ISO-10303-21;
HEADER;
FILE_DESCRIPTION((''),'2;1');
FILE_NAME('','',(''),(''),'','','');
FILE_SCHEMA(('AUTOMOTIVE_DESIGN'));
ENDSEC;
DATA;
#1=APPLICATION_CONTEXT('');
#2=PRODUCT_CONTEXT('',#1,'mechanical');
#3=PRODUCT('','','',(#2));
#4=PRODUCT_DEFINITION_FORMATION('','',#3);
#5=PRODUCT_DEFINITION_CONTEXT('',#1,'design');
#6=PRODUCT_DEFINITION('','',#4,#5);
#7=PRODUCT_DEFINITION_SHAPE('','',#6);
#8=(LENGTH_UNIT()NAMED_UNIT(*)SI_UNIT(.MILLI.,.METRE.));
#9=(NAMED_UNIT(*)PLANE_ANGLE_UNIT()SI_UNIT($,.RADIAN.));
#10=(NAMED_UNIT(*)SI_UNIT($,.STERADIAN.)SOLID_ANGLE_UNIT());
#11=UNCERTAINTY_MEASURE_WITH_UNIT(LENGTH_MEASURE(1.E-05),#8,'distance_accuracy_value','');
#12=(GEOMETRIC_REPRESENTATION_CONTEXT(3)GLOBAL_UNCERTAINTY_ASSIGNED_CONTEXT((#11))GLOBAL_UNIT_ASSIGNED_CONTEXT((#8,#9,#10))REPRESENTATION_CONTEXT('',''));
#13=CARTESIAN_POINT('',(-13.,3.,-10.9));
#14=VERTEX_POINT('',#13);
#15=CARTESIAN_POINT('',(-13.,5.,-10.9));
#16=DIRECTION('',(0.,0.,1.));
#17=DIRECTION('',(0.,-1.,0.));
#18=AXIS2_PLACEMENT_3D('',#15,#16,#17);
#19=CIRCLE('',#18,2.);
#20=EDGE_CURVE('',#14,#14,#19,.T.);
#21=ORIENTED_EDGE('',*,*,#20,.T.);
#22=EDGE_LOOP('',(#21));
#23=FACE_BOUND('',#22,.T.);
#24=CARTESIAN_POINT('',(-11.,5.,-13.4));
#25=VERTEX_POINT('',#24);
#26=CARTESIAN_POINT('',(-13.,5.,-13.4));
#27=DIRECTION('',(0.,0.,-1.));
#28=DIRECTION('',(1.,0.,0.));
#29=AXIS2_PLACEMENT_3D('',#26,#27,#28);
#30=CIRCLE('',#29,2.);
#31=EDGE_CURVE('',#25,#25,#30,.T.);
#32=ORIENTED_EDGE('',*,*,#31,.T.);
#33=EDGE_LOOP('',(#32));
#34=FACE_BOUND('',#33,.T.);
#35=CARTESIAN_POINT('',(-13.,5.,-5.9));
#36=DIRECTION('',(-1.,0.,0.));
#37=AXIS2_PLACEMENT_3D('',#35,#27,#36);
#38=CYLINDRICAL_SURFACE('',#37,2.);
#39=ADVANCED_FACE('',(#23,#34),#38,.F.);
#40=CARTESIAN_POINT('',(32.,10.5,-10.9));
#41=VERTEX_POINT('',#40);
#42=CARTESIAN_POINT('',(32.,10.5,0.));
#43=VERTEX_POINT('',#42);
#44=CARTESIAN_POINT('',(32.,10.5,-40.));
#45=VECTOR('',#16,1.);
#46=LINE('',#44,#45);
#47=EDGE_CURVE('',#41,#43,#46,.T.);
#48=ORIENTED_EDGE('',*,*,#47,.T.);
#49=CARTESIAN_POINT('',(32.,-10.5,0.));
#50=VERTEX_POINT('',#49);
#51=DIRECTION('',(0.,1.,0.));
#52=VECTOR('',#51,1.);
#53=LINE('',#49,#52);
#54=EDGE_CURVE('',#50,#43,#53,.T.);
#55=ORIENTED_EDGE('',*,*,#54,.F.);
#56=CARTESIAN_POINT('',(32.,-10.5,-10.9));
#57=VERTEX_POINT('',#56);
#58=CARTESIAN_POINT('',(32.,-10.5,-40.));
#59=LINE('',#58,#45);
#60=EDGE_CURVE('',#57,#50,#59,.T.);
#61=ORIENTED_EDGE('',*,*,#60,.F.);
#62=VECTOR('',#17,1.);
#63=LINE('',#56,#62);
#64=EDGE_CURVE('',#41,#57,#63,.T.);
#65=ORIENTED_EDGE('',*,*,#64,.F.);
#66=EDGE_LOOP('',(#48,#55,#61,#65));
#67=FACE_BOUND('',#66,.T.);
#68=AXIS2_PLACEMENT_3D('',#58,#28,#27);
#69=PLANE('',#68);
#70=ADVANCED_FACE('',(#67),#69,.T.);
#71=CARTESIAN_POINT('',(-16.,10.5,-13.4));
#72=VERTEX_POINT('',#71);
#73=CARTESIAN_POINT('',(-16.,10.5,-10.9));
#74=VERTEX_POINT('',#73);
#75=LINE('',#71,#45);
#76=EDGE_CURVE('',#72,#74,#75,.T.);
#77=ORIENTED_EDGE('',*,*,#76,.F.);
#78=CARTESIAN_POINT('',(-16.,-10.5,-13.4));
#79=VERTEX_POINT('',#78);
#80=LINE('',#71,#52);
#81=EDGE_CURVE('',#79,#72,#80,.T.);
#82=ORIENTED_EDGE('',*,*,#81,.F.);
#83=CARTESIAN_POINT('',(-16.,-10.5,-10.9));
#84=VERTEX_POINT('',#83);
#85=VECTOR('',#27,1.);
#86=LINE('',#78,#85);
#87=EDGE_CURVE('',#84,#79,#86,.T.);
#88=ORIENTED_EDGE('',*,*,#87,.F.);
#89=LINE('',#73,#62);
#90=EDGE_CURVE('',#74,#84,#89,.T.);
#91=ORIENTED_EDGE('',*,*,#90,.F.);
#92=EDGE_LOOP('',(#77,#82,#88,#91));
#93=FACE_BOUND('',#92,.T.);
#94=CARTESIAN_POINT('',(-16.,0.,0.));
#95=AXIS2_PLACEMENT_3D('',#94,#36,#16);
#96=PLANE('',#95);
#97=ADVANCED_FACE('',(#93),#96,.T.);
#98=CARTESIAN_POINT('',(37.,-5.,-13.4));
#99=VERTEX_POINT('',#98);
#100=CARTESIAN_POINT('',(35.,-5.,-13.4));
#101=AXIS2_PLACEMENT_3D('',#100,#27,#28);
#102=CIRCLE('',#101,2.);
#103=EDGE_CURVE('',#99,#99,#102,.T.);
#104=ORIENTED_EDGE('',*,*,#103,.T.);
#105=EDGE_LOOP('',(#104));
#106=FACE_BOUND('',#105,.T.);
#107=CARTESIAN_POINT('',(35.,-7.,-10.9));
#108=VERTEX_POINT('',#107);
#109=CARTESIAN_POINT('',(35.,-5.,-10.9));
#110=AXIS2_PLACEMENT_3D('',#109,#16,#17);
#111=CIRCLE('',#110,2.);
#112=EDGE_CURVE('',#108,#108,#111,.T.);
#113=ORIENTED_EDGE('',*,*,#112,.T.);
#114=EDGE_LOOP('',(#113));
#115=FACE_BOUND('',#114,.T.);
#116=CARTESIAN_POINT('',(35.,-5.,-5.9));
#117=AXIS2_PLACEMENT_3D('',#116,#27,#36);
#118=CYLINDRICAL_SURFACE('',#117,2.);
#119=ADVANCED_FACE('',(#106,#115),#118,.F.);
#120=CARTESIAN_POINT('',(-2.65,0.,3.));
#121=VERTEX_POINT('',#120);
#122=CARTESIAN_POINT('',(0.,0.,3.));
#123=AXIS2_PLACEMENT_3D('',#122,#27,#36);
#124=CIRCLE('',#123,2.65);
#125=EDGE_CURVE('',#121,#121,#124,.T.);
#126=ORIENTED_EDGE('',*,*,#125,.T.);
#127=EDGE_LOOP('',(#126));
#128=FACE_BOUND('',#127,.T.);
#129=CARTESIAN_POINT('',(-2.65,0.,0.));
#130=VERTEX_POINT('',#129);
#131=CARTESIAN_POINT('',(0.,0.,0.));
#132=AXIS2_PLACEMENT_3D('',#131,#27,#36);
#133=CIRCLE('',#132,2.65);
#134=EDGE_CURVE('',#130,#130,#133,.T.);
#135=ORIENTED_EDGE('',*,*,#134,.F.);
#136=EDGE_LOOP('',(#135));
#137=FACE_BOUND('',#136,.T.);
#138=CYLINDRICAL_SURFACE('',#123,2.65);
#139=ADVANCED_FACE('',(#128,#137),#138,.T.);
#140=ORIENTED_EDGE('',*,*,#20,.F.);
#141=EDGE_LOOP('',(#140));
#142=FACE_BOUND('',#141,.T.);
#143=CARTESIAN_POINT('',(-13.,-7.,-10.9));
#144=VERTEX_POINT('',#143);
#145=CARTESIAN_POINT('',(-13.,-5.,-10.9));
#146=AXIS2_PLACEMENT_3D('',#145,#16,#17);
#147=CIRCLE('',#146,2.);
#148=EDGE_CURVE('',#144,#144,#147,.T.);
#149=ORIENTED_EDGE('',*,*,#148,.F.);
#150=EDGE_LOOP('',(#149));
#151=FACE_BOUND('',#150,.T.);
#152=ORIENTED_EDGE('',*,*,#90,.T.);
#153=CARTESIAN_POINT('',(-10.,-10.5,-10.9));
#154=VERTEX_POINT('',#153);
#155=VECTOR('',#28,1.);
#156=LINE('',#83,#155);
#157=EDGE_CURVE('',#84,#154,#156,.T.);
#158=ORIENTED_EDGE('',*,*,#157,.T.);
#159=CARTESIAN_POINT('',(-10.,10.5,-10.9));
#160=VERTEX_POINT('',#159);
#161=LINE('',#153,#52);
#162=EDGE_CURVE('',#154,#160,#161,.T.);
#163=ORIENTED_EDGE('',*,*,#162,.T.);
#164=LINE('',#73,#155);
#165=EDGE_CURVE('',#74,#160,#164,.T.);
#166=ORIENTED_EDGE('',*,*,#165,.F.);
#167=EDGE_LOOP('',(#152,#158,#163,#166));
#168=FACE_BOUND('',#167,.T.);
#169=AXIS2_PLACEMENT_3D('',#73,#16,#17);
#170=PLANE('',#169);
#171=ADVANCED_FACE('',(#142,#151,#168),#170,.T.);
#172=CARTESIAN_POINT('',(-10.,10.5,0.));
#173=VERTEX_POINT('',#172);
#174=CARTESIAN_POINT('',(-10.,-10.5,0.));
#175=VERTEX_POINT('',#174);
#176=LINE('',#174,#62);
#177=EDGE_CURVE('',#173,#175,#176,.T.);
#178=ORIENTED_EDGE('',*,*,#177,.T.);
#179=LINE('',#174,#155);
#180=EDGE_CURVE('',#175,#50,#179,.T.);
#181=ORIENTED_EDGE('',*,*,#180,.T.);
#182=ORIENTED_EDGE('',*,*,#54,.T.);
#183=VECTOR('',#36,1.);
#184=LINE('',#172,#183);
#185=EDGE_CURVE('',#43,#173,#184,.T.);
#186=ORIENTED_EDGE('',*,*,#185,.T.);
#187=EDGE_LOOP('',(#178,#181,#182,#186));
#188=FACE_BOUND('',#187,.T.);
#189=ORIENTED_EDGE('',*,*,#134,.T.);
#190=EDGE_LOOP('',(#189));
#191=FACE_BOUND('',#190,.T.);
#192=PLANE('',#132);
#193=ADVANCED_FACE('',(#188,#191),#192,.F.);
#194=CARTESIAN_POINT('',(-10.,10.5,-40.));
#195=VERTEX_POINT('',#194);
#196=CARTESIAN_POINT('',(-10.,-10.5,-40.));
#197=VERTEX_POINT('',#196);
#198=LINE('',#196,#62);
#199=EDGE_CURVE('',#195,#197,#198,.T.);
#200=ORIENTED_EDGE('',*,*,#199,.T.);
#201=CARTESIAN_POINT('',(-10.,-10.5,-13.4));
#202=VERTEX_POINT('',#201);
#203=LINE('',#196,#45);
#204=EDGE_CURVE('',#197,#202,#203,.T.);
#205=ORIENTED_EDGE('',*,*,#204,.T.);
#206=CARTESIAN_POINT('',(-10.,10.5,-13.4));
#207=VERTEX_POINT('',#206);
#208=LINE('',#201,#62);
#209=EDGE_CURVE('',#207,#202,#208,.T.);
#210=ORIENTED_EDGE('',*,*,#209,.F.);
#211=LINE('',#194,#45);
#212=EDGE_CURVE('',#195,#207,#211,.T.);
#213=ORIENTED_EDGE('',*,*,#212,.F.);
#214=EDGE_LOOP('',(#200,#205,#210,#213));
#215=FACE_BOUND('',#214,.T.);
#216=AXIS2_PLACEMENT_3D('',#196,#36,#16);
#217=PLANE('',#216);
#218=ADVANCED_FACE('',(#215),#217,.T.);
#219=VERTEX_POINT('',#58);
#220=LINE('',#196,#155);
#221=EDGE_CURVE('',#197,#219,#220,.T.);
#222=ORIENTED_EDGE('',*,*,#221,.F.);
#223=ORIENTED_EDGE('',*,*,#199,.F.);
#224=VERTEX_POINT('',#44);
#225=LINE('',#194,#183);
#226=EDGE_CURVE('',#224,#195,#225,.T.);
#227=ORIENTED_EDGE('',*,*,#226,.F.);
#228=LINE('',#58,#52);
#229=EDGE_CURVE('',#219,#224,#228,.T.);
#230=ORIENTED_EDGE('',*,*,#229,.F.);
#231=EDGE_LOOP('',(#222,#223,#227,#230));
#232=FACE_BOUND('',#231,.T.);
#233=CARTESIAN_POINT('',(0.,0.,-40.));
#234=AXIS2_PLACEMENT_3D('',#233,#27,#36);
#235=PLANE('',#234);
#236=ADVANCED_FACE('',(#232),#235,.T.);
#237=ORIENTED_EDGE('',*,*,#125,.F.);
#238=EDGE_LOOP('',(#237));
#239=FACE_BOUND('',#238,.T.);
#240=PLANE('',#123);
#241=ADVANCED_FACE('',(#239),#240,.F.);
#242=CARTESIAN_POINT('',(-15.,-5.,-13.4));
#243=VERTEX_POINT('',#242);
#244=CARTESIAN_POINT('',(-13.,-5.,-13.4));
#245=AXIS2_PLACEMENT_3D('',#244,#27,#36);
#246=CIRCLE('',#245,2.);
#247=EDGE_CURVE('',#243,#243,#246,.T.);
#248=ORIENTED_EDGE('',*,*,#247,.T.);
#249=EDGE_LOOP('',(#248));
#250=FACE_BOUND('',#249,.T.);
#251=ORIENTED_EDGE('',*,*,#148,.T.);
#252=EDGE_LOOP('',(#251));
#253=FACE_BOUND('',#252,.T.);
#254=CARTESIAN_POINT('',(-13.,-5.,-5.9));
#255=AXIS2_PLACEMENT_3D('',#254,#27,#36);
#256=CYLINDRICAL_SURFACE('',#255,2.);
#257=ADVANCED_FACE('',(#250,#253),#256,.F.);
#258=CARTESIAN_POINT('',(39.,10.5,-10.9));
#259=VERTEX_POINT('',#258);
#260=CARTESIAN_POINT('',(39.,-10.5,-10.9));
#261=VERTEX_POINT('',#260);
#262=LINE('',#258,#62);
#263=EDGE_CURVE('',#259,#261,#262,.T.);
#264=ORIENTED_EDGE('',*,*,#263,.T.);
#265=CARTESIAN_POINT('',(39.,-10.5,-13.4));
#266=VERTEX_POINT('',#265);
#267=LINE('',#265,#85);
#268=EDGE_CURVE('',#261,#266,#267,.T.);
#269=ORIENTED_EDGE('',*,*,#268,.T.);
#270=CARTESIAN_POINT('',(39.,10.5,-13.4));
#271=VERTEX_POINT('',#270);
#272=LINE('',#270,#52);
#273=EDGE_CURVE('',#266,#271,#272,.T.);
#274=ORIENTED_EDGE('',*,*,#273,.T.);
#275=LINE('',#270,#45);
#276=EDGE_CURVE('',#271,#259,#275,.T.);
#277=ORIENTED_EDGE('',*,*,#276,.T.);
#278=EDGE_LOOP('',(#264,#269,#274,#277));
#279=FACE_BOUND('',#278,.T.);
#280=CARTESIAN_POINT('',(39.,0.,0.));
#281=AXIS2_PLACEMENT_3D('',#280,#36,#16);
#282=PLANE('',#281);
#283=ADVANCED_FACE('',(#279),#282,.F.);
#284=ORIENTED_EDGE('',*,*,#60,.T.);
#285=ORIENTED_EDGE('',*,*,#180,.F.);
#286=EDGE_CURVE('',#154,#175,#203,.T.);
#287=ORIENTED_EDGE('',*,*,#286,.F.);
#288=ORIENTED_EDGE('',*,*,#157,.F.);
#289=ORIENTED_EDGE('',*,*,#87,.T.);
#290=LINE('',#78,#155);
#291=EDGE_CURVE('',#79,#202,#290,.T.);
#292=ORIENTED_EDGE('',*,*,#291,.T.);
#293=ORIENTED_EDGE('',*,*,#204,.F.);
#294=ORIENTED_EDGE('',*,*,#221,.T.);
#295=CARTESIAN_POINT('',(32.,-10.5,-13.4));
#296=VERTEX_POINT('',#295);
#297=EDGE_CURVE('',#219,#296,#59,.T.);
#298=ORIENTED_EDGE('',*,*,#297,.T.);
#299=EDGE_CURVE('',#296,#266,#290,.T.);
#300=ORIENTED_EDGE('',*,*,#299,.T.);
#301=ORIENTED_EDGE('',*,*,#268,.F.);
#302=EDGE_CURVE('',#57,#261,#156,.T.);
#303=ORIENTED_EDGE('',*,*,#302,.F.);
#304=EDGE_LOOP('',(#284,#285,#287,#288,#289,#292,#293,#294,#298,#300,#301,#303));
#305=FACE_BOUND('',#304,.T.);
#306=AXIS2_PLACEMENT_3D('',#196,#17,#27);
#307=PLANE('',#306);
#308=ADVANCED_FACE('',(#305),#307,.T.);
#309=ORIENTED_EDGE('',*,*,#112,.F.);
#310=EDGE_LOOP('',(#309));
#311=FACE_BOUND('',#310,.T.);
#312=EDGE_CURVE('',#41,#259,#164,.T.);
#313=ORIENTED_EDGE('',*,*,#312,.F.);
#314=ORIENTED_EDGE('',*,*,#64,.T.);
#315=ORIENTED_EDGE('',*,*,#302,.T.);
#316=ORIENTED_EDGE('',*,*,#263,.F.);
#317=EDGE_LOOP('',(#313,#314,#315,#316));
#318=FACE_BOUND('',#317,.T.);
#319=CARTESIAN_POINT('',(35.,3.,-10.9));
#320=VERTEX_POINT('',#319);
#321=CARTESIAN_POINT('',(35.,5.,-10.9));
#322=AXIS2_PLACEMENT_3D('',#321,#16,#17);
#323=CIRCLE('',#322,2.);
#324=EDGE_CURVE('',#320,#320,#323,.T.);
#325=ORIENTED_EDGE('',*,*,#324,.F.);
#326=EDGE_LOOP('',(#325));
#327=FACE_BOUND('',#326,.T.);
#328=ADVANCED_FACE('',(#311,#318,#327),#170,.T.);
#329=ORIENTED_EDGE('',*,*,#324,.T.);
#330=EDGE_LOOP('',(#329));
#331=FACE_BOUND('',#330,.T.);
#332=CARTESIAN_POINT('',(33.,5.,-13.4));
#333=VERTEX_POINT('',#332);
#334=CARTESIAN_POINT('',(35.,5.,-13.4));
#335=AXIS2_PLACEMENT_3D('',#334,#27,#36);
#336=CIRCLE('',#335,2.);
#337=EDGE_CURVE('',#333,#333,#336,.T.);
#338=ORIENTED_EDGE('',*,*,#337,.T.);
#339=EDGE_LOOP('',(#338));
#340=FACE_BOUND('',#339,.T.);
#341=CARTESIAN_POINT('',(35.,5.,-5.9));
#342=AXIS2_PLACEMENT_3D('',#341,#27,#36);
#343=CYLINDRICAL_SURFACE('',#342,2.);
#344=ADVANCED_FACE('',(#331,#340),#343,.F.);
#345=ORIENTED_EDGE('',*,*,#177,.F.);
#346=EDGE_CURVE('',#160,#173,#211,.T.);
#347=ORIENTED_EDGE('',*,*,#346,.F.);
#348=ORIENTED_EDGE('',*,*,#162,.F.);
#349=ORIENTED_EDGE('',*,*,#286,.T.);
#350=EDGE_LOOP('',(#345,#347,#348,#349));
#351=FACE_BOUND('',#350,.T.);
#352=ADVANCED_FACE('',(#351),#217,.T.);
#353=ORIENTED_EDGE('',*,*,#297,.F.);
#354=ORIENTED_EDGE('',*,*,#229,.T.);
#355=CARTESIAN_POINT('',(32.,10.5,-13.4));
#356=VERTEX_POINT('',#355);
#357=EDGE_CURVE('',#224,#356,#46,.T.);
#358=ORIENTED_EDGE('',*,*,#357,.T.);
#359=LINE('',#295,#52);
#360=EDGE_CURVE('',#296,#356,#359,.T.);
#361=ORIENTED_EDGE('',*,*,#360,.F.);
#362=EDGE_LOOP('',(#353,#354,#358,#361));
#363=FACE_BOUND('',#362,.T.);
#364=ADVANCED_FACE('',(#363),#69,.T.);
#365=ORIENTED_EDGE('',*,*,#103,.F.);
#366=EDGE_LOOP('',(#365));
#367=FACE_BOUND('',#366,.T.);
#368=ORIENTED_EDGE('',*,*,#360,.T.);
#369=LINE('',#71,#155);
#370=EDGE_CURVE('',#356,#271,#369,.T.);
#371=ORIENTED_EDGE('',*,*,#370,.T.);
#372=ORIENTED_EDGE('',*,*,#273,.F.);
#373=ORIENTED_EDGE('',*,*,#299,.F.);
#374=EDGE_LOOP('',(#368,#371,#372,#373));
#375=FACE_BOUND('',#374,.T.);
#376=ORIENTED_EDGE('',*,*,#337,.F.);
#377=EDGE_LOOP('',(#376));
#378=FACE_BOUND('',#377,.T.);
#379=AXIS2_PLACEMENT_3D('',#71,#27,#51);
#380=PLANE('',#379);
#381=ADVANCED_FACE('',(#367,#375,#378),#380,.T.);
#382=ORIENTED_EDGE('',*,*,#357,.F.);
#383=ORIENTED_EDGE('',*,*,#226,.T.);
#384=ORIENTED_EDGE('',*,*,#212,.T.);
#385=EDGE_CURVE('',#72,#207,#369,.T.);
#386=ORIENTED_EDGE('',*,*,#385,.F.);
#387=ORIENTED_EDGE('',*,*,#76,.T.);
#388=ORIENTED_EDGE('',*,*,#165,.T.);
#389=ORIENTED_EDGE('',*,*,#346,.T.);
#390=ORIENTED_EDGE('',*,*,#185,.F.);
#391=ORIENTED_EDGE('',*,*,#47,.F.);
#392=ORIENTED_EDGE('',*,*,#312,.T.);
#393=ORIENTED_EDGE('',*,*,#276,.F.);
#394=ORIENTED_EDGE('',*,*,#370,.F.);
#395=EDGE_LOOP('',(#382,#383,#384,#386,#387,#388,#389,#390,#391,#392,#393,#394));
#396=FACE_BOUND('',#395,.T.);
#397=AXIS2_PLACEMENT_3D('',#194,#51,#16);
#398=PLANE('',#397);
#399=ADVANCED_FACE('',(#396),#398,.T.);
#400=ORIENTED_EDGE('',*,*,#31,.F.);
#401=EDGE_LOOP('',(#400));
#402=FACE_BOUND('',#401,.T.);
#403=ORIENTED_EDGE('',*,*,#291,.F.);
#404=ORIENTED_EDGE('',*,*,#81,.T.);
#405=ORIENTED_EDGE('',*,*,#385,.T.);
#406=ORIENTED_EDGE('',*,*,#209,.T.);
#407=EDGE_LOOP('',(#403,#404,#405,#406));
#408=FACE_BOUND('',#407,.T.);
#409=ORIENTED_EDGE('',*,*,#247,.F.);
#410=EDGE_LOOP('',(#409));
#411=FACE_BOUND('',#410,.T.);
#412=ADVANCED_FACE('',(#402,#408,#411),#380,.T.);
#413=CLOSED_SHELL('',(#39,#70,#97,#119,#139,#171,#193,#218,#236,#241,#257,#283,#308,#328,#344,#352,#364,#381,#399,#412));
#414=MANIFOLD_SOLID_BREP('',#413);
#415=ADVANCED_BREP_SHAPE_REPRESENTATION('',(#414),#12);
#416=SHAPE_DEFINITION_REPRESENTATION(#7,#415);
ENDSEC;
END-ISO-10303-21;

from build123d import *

# Parameters (mm, degrees)
ESQUISSE1_W             = 42
ESQUISSE1_H             = 21
BOSS_EXTRU_1_DEPTH      = 40
BOSS_EXTRU_2_DEPTH      = 7
BOSS_EXTRU_2_DEPTH_BACK = 48
ESQUISSE2_W             = 2.5
ESQUISSE2_H             = 21
ESQUISSE3_R             = 2
ENL_V_MAT_EXTRU_1_DEPTH = 7.5
ESQUISSE5_R             = 2.65
BOSS_EXTRU_3_DEPTH      = 3


with BuildPart() as part:
    # Esquisse1 → Boss.-Extru.1 (new body)
    with BuildSketch(Plane.XY):
        with Locations((11, 0)):
            Rectangle(ESQUISSE1_W, ESQUISSE1_H)
    extrude(amount=-BOSS_EXTRU_1_DEPTH)

    # Esquisse2 → Boss.-Extru.2 (add, two sides: drawn at the far end of the back side and taken through both)
    with BuildSketch(Plane(origin=(32, 0, 0), x_dir=(0, 0, -1), z_dir=(1, 0, 0)).offset(-BOSS_EXTRU_2_DEPTH_BACK)):
        with Locations((12.15, 0)):
            Rectangle(ESQUISSE2_W, ESQUISSE2_H)
    extrude(amount=BOSS_EXTRU_2_DEPTH + BOSS_EXTRU_2_DEPTH_BACK)

    # Esquisse3 → Enlèv. mat.-Extru.1 (cut)
    with BuildSketch(Plane(origin=(0, 0, -13.4), x_dir=(-1, 0, 0), z_dir=(0, 0, -1))):
        with Locations(Location((13, 5, 0), (0, 0, 270))):
            Circle(ESQUISSE3_R)
        with Locations((13, -5)):
            Circle(ESQUISSE3_R)
        with Locations(Location((-35, -5, 0), (0, 0, 270))):
            Circle(ESQUISSE3_R)
        with Locations((-35, 5)):
            Circle(ESQUISSE3_R)
    extrude(amount=-ENL_V_MAT_EXTRU_1_DEPTH, mode=Mode.SUBTRACT)

    # Esquisse5 → Boss.-Extru.3 (add)
    with BuildSketch(Plane(origin=(0, 0, 0), x_dir=(-1, 0, 0), z_dir=(0, 0, -1))):
        Circle(ESQUISSE5_R)
    extrude(amount=-BOSS_EXTRU_3_DEPTH)


solid = part.part
